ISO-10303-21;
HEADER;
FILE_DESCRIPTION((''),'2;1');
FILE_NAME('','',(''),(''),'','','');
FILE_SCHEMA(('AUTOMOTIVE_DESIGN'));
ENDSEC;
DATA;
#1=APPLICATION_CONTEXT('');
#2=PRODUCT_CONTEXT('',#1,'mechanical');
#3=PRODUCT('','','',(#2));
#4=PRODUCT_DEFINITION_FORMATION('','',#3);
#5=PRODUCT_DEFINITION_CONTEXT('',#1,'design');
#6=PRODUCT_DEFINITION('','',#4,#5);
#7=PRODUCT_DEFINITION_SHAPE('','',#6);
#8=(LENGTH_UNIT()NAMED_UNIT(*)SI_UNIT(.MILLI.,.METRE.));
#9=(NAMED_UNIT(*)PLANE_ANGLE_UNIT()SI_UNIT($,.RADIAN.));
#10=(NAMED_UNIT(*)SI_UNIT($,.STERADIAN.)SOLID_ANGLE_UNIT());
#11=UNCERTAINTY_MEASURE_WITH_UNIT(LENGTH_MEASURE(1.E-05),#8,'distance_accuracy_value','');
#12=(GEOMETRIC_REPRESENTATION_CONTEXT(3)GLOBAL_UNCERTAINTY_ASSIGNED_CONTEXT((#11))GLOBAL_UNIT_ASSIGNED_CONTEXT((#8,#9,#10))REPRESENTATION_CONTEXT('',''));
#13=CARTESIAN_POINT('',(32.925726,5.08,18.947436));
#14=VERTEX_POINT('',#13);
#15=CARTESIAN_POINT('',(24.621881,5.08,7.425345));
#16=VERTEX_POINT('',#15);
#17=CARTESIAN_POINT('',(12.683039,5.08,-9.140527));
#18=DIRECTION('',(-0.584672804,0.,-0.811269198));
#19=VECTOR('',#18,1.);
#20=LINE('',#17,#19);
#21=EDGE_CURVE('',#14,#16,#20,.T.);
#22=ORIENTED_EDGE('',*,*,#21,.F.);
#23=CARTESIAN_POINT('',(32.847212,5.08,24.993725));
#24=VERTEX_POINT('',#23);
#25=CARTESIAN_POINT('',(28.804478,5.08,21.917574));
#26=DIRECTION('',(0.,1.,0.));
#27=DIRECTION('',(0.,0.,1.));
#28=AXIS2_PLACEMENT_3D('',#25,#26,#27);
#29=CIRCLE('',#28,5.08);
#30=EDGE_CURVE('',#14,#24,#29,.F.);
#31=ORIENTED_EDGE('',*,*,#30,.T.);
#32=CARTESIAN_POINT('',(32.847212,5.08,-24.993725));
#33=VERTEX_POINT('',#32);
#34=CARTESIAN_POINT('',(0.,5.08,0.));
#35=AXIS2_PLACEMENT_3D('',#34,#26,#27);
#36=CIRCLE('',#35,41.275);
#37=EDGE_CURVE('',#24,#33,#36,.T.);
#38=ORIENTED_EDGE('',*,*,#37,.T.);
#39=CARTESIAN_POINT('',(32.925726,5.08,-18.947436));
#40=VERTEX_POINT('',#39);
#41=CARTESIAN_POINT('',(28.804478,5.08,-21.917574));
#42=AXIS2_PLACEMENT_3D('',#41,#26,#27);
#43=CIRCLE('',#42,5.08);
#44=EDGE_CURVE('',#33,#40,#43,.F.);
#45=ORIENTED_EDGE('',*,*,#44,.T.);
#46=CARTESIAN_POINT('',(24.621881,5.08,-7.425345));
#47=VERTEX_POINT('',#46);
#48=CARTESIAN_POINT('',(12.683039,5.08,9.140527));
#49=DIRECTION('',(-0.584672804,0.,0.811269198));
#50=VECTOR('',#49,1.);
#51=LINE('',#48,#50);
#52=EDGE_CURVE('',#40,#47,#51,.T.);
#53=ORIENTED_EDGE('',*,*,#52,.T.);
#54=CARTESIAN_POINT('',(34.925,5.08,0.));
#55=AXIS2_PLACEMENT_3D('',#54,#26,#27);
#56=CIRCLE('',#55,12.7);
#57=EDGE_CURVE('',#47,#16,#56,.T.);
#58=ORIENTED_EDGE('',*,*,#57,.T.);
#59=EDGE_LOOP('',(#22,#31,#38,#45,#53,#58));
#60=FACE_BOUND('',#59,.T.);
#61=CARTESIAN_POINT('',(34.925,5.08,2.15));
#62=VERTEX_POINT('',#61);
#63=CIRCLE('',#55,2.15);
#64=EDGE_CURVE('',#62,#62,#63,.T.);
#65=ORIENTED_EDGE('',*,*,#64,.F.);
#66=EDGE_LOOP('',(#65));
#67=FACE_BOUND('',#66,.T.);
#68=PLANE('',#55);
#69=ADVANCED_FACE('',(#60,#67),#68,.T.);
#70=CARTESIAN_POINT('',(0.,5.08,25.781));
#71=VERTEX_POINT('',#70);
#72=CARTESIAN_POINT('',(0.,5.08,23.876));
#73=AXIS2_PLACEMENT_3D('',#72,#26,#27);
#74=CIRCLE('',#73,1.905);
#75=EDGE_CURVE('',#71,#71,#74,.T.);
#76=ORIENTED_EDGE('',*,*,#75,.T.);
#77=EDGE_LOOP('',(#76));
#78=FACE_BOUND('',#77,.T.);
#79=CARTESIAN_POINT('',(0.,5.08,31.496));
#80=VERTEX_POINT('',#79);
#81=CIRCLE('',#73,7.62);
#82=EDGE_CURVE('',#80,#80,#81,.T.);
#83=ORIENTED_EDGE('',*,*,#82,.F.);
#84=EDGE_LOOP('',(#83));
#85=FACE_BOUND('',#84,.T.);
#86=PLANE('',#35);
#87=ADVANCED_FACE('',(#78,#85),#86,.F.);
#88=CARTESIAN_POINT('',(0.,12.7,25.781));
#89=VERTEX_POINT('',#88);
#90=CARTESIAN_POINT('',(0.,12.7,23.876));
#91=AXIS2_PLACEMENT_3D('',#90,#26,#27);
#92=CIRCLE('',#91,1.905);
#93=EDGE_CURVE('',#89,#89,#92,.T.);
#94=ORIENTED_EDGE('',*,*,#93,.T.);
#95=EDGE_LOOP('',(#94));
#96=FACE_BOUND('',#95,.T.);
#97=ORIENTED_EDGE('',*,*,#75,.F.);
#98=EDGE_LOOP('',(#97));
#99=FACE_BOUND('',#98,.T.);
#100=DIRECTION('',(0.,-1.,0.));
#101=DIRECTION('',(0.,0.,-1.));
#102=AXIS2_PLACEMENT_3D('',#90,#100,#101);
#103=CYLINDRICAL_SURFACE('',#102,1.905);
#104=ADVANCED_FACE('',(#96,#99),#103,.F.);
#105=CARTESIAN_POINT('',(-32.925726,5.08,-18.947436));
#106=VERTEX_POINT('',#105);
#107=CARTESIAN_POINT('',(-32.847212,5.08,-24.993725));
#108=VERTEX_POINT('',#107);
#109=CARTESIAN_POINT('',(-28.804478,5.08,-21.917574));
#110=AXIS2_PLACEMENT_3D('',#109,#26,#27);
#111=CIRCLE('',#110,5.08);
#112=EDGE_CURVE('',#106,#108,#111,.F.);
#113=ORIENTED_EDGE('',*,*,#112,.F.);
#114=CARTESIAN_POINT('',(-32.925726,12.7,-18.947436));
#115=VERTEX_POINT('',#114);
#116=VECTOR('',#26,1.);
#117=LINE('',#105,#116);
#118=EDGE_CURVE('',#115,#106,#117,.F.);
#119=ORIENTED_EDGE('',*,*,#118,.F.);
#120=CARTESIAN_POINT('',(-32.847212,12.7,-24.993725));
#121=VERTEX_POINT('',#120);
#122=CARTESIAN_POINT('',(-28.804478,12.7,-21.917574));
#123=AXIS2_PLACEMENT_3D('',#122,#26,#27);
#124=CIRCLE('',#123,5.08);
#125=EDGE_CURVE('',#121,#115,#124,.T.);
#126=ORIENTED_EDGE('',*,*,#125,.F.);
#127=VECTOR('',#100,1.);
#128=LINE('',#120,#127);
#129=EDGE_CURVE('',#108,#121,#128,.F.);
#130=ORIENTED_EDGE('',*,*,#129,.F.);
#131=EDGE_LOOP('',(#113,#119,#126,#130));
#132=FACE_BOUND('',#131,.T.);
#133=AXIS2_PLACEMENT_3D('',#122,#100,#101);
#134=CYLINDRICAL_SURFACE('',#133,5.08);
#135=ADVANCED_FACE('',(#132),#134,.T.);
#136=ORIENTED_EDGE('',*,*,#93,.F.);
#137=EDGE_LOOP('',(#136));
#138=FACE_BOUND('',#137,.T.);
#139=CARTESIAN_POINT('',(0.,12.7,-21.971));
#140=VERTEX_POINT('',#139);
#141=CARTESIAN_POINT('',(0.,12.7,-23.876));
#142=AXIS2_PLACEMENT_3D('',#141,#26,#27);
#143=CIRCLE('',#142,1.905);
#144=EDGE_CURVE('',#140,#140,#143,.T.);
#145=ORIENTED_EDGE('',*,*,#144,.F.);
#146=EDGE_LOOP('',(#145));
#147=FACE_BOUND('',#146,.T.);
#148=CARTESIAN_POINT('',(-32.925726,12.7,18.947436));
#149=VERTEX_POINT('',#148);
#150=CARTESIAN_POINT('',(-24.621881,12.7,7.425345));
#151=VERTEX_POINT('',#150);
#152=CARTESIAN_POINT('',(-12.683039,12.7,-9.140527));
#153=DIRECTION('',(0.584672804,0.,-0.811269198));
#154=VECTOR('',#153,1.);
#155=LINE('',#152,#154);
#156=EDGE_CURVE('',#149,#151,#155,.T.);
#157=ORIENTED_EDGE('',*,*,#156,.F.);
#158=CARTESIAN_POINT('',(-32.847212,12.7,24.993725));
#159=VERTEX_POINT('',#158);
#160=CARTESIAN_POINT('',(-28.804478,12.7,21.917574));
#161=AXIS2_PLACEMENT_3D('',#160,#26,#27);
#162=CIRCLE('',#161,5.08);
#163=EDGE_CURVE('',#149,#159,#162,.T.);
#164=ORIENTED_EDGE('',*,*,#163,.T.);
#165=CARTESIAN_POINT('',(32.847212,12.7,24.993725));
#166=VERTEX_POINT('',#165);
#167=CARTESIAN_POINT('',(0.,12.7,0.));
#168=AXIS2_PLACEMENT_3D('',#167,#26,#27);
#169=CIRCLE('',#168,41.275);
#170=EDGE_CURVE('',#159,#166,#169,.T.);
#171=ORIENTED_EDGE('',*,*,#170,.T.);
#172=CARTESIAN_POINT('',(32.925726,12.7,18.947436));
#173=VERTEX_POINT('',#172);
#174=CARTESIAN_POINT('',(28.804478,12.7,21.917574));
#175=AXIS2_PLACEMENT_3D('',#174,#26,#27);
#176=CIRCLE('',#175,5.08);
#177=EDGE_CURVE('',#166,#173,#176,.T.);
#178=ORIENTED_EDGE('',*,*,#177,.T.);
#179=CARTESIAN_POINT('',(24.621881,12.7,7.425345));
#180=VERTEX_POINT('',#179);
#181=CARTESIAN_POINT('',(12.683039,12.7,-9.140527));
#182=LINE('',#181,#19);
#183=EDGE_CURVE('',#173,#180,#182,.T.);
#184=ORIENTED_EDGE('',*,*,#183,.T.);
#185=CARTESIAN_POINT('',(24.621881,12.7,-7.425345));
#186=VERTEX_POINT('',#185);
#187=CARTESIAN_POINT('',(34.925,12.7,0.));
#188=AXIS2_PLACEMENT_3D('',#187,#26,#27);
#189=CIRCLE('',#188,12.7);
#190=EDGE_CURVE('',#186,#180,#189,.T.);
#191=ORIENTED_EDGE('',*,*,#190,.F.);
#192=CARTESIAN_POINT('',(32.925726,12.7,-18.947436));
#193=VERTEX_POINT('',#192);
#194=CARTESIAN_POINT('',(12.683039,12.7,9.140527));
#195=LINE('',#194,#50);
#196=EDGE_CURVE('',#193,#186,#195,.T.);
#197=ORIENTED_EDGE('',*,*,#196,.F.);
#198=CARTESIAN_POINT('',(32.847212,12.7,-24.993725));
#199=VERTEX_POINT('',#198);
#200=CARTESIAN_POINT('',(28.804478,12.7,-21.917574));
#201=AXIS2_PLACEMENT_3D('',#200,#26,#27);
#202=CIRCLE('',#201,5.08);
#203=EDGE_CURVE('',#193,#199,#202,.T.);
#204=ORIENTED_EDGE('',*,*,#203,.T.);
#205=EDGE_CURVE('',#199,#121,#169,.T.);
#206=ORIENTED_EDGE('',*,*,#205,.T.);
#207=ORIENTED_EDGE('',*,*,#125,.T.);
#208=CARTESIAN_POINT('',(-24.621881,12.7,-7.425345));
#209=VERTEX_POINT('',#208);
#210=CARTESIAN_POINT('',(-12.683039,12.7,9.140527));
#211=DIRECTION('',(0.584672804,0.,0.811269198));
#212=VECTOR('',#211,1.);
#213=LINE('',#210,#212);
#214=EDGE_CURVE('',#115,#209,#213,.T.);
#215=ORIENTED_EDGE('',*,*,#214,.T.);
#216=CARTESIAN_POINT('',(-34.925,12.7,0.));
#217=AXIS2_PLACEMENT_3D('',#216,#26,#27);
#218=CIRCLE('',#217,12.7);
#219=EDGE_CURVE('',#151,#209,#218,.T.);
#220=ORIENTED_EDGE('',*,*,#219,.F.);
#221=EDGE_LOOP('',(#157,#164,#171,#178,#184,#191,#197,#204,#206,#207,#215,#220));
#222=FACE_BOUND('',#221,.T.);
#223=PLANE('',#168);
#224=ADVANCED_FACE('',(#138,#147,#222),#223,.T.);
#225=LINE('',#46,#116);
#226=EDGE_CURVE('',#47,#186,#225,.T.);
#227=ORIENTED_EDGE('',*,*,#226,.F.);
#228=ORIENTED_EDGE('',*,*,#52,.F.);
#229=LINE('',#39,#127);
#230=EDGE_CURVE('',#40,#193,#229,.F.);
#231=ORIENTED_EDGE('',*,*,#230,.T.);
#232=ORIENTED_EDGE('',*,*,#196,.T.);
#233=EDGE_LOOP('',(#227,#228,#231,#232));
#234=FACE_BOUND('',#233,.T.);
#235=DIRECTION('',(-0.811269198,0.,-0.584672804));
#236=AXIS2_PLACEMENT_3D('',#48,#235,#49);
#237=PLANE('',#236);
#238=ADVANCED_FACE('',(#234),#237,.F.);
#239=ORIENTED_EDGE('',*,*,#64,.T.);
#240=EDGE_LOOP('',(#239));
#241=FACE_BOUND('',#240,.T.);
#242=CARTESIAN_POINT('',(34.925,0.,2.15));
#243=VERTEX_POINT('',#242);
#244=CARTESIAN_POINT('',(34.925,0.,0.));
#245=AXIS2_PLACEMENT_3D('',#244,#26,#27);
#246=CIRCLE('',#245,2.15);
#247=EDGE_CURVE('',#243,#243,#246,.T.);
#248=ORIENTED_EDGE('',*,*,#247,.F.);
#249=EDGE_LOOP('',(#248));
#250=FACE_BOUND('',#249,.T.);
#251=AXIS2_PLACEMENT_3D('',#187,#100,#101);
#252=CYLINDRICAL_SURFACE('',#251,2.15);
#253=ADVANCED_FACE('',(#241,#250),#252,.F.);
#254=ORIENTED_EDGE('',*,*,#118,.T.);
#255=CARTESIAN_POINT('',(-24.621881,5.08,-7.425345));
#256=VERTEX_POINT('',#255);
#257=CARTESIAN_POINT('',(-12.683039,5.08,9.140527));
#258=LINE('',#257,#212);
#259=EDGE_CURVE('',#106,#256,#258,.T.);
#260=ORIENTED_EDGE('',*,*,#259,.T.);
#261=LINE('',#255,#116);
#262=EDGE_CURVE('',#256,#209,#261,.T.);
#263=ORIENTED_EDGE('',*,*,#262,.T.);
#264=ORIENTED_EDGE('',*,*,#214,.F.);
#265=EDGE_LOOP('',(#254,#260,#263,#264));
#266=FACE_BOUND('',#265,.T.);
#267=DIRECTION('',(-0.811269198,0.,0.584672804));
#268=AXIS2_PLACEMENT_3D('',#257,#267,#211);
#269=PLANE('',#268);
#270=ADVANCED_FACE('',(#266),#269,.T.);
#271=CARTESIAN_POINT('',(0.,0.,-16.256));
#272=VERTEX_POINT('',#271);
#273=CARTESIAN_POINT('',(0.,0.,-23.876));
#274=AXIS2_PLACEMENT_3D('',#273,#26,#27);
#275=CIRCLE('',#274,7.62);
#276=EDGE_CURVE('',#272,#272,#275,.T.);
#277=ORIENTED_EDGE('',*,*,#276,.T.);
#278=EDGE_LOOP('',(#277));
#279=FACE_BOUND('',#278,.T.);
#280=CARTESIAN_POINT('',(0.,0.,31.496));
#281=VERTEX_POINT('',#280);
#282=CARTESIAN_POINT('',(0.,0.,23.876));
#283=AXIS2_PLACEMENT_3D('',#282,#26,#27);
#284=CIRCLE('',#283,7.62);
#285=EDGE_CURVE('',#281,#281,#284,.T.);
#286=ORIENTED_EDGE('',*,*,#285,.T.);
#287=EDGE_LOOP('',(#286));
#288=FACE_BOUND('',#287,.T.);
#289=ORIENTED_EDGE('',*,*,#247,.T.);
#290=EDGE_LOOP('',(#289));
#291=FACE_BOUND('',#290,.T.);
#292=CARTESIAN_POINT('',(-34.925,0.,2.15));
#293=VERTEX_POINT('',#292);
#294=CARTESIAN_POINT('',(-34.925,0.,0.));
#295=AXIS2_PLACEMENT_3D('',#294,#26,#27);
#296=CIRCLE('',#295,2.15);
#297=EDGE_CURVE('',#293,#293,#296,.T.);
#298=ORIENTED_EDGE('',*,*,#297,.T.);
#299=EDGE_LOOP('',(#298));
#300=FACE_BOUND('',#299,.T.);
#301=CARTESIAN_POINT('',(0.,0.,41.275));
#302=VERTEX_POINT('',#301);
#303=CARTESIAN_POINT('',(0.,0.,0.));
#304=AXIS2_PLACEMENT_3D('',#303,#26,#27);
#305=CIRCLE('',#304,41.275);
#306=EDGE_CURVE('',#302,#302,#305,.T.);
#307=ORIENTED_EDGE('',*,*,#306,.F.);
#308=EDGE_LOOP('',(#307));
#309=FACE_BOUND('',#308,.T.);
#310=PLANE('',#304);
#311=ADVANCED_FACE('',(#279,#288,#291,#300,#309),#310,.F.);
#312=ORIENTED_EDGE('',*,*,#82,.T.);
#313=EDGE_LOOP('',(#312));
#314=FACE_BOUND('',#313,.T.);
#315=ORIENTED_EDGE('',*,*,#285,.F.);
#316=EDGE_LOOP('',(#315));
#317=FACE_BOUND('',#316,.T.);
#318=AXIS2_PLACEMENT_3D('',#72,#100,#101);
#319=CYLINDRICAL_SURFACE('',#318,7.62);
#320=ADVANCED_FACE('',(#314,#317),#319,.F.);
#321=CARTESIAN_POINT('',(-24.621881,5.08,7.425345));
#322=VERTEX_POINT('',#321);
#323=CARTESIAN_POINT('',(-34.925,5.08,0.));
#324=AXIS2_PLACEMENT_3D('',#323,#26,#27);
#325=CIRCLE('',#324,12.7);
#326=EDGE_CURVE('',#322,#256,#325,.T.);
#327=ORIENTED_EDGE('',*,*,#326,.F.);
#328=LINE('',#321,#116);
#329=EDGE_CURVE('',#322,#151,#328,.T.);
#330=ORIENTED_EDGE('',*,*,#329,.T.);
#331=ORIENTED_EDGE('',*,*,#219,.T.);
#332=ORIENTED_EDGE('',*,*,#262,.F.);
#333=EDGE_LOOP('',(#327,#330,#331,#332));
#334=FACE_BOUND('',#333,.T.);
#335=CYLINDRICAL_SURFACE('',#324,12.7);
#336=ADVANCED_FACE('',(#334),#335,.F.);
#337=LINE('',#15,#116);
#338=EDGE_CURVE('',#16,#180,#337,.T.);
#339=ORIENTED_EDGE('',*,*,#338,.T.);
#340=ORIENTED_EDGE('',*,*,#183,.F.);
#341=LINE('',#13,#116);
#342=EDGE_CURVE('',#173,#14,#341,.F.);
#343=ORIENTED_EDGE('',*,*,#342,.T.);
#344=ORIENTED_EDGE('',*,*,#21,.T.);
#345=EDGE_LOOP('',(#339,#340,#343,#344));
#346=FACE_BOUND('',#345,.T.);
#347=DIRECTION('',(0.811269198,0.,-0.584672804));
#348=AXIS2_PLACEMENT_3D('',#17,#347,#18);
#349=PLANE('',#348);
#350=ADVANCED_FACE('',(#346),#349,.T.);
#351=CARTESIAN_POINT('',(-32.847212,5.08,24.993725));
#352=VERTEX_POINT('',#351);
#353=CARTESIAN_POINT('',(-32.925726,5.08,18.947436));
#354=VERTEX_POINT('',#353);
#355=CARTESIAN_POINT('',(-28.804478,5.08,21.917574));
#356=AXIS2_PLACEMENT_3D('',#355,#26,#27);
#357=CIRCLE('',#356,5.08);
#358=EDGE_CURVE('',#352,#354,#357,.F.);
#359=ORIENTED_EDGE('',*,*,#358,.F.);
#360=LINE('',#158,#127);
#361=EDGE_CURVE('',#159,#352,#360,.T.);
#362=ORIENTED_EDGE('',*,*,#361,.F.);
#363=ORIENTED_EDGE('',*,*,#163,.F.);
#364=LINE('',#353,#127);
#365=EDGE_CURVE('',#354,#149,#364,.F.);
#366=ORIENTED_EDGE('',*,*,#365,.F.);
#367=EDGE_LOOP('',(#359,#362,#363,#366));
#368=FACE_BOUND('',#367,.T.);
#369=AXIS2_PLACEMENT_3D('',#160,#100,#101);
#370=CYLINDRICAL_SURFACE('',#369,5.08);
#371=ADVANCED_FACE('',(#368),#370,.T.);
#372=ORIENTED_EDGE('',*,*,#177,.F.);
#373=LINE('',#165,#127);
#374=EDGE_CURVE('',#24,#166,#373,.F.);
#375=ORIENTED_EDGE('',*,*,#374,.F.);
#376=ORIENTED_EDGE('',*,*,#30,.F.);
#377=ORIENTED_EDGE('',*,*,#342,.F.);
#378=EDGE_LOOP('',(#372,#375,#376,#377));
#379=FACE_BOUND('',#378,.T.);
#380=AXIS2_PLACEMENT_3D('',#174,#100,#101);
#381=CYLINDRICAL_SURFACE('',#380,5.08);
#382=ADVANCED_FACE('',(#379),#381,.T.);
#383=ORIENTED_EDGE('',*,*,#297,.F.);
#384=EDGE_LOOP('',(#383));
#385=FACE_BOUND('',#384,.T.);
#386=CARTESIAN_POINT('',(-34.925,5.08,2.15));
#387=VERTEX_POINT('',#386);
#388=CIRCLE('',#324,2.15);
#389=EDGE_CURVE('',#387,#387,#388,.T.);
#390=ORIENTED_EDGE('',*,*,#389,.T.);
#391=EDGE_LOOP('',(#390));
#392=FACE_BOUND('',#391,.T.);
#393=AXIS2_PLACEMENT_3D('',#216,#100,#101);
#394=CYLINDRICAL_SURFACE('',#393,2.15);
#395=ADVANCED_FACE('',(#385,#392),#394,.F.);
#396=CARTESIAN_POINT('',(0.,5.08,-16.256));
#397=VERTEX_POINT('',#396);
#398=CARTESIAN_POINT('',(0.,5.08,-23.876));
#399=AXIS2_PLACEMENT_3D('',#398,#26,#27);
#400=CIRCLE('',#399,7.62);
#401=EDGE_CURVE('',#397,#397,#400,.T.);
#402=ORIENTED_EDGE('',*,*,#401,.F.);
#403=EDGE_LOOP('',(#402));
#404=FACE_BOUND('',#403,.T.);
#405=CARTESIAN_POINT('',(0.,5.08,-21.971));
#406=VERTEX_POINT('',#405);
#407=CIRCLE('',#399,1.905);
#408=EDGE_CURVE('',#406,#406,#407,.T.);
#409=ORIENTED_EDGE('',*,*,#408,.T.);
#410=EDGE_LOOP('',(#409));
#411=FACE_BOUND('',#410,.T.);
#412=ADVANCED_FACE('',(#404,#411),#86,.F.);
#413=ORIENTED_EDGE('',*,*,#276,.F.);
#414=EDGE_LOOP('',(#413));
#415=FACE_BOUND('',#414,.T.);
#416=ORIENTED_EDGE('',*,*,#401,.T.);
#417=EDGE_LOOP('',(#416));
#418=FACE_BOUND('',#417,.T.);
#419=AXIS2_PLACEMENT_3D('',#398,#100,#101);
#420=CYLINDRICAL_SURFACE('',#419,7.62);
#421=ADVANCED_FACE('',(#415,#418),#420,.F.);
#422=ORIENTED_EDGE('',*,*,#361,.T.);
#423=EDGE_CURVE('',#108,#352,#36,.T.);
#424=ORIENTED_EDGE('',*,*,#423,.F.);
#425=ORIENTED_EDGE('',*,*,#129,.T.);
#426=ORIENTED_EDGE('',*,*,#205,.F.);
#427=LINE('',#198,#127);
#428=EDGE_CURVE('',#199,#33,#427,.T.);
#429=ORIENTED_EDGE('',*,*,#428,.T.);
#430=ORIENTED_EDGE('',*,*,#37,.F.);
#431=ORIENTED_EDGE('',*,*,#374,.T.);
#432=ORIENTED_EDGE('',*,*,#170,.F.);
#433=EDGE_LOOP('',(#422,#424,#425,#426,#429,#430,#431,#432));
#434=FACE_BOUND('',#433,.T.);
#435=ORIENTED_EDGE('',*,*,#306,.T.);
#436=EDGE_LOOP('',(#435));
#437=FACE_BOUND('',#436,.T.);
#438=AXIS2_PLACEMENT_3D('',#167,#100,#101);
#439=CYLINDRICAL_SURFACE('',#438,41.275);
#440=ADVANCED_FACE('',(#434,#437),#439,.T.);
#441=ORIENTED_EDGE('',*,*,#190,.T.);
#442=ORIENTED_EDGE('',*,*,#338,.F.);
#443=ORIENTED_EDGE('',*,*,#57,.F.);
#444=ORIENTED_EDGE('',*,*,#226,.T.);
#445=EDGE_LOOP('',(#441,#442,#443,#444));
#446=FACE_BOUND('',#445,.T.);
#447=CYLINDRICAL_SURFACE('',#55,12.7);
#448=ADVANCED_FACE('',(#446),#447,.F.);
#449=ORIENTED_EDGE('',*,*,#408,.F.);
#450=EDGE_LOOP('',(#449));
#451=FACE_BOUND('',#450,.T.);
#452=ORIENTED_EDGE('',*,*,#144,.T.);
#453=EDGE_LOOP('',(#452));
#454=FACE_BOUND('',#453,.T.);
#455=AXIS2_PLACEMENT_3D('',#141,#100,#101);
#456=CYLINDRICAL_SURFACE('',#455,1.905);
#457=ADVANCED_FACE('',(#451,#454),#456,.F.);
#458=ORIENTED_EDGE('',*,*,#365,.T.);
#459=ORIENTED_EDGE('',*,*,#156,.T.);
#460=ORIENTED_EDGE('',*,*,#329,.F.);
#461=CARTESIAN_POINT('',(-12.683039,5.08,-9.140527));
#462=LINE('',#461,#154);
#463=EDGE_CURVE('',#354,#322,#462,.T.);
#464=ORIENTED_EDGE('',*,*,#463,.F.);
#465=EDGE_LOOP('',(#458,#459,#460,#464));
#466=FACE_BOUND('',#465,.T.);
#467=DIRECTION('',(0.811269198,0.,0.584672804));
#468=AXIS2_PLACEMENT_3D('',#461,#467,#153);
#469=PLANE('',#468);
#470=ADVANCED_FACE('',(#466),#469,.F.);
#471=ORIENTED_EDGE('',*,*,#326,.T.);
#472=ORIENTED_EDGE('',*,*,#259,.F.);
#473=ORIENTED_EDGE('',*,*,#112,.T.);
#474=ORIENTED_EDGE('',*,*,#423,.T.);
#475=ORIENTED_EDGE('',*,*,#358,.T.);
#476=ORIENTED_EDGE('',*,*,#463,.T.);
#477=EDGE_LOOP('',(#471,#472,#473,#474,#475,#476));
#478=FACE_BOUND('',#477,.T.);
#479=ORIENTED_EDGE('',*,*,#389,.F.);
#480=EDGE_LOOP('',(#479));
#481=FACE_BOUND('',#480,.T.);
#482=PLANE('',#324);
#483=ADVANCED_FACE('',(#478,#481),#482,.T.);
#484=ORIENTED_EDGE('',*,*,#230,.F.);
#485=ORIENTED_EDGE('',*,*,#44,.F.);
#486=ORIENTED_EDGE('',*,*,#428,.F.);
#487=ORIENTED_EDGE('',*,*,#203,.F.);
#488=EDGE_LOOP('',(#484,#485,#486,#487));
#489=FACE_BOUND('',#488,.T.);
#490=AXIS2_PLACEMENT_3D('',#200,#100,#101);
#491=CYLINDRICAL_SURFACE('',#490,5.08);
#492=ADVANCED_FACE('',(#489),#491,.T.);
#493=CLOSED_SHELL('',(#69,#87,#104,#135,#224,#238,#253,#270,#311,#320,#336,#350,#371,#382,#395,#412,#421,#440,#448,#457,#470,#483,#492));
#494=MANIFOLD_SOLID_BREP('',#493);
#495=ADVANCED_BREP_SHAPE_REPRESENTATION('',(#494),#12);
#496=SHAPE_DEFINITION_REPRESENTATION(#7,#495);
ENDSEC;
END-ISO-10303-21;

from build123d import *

# Parameters (mm, degrees)
SKETCH1_R           = 41.275
BOSS_EXTRUDE1_DEPTH = 12.7
SKETCH1_4_R         = 2.15
SKETCH1_4_R_2       = 1.905
CUT_EXTRUDE2_DEPTH  = 60.737268518
SKETCH1_5_R         = 7.62
SKETCH1_5_R_2       = 1.905
CUT_EXTRUDE3_DEPTH  = 5.08
CUT_EXTRUDE4_START  = 5.08
SKETCH1_6_R         = 2.15
CUT_EXTRUDE4_DEPTH  = 7.62
FILLET1_R           = 5.08


with BuildPart() as part:
    # Sketch1 → Boss-Extrude1 (new body)
    with BuildSketch(Plane(origin=(0, 0, 0), x_dir=(1, 0, 0), z_dir=(0, 1, 0))):
        with Locations(Location((0, 0, 0), (0, 0, 270))):
            Circle(SKETCH1_R)
    extrude(amount=BOSS_EXTRUDE1_DEPTH)

    # Sketch1<4> → Cut-Extrude2 (cut, through all)
    with BuildSketch(Plane(origin=(0, 0, 0), x_dir=(1, 0, 0), z_dir=(0, 1, 0))):
        with Locations(Location((-34.925, 0, 0), (0, 0, 270))):
            Circle(SKETCH1_4_R)
        with Locations(Location((34.925, 0, 0), (0, 0, 270))):
            Circle(SKETCH1_4_R)
        with Locations(Location((0, 23.876, 0), (0, 0, 270))):
            Circle(SKETCH1_4_R_2)
        with Locations(Location((0, -23.876, 0), (0, 0, 270))):
            Circle(SKETCH1_4_R_2)
    extrude(amount=CUT_EXTRUDE2_DEPTH, mode=Mode.SUBTRACT)

    # Sketch1<5> → Cut-Extrude3 (cut)
    # profile 1 of 2: a face of its own
    with BuildSketch(Plane(origin=(0, 0, 0), x_dir=(1, 0, 0), z_dir=(0, 1, 0))):
        with Locations(Location((0, -23.876, 0), (0, 0, 270))):
            Circle(SKETCH1_5_R)
        with Locations(Location((0, -23.876, 0), (0, 0, 270))):
            Circle(SKETCH1_5_R_2, mode=Mode.SUBTRACT)
    # profile 2 of 2: a face of its own
    with BuildSketch(Plane(origin=(0, 0, 0), x_dir=(1, 0, 0), z_dir=(0, 1, 0))):
        with Locations(Location((0, 23.876, 0), (0, 0, 270))):
            Circle(SKETCH1_5_R)
        with Locations(Location((0, 23.876, 0), (0, 0, 270))):
            Circle(SKETCH1_5_R_2, mode=Mode.SUBTRACT)
    extrude(amount=CUT_EXTRUDE3_DEPTH, mode=Mode.SUBTRACT)

    # Sketch1<6> → Cut-Extrude4 (cut)
    # profile 1 of 2: a face of its own
    with BuildSketch(Plane(origin=(0, 0, 0), x_dir=(1, 0, 0), z_dir=(0, 1, 0)).offset(CUT_EXTRUDE4_START)):
        with BuildLine():
            ThreePointArc((-35.017363636, 21.849710958), (-41.275, 0), (-35.017363636, -21.849710958))
            Line((-35.017363636, -21.849710958), (-24.621881181, -7.425344611))
            ThreePointArc((-24.621881181, -7.425344611), (-22.225, 0), (-24.621881181, 7.425344611))
            Line((-24.621881181, 7.425344611), (-35.017363636, 21.849710958))
        make_face()
        with Locations(Location((-34.925, 0, 0), (0, 0, 270))):
            Circle(SKETCH1_6_R, mode=Mode.SUBTRACT)
    # profile 2 of 2: a face of its own
    with BuildSketch(Plane(origin=(0, 0, 0), x_dir=(1, 0, 0), z_dir=(0, 1, 0)).offset(CUT_EXTRUDE4_START)):
        with BuildLine():
            Line((35.017363636, 21.849710958), (24.621881181, 7.425344611))
            ThreePointArc((24.621881181, 7.425344611), (22.225, 0), (24.621881181, -7.425344611))
            Line((24.621881181, -7.425344611), (35.017363636, -21.849710958))
            ThreePointArc((35.017363636, -21.849710958), (41.275, 0), (35.017363636, 21.849710958))
        make_face()
        with Locations(Location((34.925, 0, 0), (0, 0, 270))):
            Circle(SKETCH1_6_R, mode=Mode.SUBTRACT)
    extrude(amount=CUT_EXTRUDE4_DEPTH, mode=Mode.SUBTRACT)

    # Fillet1
    fillet1_edges = [part.edges().sort_by_distance(p)[0] for p in [
        (35.017363636, 8.89, -21.849710958),
        (35.017363636, 8.89, 21.849710958),
        (-35.017363636, 8.89, 21.849710958),
        (-35.017363636, 8.89, -21.849710958),
    ]]
    fillet(fillet1_edges, radius=FILLET1_R)


solid = part.part
